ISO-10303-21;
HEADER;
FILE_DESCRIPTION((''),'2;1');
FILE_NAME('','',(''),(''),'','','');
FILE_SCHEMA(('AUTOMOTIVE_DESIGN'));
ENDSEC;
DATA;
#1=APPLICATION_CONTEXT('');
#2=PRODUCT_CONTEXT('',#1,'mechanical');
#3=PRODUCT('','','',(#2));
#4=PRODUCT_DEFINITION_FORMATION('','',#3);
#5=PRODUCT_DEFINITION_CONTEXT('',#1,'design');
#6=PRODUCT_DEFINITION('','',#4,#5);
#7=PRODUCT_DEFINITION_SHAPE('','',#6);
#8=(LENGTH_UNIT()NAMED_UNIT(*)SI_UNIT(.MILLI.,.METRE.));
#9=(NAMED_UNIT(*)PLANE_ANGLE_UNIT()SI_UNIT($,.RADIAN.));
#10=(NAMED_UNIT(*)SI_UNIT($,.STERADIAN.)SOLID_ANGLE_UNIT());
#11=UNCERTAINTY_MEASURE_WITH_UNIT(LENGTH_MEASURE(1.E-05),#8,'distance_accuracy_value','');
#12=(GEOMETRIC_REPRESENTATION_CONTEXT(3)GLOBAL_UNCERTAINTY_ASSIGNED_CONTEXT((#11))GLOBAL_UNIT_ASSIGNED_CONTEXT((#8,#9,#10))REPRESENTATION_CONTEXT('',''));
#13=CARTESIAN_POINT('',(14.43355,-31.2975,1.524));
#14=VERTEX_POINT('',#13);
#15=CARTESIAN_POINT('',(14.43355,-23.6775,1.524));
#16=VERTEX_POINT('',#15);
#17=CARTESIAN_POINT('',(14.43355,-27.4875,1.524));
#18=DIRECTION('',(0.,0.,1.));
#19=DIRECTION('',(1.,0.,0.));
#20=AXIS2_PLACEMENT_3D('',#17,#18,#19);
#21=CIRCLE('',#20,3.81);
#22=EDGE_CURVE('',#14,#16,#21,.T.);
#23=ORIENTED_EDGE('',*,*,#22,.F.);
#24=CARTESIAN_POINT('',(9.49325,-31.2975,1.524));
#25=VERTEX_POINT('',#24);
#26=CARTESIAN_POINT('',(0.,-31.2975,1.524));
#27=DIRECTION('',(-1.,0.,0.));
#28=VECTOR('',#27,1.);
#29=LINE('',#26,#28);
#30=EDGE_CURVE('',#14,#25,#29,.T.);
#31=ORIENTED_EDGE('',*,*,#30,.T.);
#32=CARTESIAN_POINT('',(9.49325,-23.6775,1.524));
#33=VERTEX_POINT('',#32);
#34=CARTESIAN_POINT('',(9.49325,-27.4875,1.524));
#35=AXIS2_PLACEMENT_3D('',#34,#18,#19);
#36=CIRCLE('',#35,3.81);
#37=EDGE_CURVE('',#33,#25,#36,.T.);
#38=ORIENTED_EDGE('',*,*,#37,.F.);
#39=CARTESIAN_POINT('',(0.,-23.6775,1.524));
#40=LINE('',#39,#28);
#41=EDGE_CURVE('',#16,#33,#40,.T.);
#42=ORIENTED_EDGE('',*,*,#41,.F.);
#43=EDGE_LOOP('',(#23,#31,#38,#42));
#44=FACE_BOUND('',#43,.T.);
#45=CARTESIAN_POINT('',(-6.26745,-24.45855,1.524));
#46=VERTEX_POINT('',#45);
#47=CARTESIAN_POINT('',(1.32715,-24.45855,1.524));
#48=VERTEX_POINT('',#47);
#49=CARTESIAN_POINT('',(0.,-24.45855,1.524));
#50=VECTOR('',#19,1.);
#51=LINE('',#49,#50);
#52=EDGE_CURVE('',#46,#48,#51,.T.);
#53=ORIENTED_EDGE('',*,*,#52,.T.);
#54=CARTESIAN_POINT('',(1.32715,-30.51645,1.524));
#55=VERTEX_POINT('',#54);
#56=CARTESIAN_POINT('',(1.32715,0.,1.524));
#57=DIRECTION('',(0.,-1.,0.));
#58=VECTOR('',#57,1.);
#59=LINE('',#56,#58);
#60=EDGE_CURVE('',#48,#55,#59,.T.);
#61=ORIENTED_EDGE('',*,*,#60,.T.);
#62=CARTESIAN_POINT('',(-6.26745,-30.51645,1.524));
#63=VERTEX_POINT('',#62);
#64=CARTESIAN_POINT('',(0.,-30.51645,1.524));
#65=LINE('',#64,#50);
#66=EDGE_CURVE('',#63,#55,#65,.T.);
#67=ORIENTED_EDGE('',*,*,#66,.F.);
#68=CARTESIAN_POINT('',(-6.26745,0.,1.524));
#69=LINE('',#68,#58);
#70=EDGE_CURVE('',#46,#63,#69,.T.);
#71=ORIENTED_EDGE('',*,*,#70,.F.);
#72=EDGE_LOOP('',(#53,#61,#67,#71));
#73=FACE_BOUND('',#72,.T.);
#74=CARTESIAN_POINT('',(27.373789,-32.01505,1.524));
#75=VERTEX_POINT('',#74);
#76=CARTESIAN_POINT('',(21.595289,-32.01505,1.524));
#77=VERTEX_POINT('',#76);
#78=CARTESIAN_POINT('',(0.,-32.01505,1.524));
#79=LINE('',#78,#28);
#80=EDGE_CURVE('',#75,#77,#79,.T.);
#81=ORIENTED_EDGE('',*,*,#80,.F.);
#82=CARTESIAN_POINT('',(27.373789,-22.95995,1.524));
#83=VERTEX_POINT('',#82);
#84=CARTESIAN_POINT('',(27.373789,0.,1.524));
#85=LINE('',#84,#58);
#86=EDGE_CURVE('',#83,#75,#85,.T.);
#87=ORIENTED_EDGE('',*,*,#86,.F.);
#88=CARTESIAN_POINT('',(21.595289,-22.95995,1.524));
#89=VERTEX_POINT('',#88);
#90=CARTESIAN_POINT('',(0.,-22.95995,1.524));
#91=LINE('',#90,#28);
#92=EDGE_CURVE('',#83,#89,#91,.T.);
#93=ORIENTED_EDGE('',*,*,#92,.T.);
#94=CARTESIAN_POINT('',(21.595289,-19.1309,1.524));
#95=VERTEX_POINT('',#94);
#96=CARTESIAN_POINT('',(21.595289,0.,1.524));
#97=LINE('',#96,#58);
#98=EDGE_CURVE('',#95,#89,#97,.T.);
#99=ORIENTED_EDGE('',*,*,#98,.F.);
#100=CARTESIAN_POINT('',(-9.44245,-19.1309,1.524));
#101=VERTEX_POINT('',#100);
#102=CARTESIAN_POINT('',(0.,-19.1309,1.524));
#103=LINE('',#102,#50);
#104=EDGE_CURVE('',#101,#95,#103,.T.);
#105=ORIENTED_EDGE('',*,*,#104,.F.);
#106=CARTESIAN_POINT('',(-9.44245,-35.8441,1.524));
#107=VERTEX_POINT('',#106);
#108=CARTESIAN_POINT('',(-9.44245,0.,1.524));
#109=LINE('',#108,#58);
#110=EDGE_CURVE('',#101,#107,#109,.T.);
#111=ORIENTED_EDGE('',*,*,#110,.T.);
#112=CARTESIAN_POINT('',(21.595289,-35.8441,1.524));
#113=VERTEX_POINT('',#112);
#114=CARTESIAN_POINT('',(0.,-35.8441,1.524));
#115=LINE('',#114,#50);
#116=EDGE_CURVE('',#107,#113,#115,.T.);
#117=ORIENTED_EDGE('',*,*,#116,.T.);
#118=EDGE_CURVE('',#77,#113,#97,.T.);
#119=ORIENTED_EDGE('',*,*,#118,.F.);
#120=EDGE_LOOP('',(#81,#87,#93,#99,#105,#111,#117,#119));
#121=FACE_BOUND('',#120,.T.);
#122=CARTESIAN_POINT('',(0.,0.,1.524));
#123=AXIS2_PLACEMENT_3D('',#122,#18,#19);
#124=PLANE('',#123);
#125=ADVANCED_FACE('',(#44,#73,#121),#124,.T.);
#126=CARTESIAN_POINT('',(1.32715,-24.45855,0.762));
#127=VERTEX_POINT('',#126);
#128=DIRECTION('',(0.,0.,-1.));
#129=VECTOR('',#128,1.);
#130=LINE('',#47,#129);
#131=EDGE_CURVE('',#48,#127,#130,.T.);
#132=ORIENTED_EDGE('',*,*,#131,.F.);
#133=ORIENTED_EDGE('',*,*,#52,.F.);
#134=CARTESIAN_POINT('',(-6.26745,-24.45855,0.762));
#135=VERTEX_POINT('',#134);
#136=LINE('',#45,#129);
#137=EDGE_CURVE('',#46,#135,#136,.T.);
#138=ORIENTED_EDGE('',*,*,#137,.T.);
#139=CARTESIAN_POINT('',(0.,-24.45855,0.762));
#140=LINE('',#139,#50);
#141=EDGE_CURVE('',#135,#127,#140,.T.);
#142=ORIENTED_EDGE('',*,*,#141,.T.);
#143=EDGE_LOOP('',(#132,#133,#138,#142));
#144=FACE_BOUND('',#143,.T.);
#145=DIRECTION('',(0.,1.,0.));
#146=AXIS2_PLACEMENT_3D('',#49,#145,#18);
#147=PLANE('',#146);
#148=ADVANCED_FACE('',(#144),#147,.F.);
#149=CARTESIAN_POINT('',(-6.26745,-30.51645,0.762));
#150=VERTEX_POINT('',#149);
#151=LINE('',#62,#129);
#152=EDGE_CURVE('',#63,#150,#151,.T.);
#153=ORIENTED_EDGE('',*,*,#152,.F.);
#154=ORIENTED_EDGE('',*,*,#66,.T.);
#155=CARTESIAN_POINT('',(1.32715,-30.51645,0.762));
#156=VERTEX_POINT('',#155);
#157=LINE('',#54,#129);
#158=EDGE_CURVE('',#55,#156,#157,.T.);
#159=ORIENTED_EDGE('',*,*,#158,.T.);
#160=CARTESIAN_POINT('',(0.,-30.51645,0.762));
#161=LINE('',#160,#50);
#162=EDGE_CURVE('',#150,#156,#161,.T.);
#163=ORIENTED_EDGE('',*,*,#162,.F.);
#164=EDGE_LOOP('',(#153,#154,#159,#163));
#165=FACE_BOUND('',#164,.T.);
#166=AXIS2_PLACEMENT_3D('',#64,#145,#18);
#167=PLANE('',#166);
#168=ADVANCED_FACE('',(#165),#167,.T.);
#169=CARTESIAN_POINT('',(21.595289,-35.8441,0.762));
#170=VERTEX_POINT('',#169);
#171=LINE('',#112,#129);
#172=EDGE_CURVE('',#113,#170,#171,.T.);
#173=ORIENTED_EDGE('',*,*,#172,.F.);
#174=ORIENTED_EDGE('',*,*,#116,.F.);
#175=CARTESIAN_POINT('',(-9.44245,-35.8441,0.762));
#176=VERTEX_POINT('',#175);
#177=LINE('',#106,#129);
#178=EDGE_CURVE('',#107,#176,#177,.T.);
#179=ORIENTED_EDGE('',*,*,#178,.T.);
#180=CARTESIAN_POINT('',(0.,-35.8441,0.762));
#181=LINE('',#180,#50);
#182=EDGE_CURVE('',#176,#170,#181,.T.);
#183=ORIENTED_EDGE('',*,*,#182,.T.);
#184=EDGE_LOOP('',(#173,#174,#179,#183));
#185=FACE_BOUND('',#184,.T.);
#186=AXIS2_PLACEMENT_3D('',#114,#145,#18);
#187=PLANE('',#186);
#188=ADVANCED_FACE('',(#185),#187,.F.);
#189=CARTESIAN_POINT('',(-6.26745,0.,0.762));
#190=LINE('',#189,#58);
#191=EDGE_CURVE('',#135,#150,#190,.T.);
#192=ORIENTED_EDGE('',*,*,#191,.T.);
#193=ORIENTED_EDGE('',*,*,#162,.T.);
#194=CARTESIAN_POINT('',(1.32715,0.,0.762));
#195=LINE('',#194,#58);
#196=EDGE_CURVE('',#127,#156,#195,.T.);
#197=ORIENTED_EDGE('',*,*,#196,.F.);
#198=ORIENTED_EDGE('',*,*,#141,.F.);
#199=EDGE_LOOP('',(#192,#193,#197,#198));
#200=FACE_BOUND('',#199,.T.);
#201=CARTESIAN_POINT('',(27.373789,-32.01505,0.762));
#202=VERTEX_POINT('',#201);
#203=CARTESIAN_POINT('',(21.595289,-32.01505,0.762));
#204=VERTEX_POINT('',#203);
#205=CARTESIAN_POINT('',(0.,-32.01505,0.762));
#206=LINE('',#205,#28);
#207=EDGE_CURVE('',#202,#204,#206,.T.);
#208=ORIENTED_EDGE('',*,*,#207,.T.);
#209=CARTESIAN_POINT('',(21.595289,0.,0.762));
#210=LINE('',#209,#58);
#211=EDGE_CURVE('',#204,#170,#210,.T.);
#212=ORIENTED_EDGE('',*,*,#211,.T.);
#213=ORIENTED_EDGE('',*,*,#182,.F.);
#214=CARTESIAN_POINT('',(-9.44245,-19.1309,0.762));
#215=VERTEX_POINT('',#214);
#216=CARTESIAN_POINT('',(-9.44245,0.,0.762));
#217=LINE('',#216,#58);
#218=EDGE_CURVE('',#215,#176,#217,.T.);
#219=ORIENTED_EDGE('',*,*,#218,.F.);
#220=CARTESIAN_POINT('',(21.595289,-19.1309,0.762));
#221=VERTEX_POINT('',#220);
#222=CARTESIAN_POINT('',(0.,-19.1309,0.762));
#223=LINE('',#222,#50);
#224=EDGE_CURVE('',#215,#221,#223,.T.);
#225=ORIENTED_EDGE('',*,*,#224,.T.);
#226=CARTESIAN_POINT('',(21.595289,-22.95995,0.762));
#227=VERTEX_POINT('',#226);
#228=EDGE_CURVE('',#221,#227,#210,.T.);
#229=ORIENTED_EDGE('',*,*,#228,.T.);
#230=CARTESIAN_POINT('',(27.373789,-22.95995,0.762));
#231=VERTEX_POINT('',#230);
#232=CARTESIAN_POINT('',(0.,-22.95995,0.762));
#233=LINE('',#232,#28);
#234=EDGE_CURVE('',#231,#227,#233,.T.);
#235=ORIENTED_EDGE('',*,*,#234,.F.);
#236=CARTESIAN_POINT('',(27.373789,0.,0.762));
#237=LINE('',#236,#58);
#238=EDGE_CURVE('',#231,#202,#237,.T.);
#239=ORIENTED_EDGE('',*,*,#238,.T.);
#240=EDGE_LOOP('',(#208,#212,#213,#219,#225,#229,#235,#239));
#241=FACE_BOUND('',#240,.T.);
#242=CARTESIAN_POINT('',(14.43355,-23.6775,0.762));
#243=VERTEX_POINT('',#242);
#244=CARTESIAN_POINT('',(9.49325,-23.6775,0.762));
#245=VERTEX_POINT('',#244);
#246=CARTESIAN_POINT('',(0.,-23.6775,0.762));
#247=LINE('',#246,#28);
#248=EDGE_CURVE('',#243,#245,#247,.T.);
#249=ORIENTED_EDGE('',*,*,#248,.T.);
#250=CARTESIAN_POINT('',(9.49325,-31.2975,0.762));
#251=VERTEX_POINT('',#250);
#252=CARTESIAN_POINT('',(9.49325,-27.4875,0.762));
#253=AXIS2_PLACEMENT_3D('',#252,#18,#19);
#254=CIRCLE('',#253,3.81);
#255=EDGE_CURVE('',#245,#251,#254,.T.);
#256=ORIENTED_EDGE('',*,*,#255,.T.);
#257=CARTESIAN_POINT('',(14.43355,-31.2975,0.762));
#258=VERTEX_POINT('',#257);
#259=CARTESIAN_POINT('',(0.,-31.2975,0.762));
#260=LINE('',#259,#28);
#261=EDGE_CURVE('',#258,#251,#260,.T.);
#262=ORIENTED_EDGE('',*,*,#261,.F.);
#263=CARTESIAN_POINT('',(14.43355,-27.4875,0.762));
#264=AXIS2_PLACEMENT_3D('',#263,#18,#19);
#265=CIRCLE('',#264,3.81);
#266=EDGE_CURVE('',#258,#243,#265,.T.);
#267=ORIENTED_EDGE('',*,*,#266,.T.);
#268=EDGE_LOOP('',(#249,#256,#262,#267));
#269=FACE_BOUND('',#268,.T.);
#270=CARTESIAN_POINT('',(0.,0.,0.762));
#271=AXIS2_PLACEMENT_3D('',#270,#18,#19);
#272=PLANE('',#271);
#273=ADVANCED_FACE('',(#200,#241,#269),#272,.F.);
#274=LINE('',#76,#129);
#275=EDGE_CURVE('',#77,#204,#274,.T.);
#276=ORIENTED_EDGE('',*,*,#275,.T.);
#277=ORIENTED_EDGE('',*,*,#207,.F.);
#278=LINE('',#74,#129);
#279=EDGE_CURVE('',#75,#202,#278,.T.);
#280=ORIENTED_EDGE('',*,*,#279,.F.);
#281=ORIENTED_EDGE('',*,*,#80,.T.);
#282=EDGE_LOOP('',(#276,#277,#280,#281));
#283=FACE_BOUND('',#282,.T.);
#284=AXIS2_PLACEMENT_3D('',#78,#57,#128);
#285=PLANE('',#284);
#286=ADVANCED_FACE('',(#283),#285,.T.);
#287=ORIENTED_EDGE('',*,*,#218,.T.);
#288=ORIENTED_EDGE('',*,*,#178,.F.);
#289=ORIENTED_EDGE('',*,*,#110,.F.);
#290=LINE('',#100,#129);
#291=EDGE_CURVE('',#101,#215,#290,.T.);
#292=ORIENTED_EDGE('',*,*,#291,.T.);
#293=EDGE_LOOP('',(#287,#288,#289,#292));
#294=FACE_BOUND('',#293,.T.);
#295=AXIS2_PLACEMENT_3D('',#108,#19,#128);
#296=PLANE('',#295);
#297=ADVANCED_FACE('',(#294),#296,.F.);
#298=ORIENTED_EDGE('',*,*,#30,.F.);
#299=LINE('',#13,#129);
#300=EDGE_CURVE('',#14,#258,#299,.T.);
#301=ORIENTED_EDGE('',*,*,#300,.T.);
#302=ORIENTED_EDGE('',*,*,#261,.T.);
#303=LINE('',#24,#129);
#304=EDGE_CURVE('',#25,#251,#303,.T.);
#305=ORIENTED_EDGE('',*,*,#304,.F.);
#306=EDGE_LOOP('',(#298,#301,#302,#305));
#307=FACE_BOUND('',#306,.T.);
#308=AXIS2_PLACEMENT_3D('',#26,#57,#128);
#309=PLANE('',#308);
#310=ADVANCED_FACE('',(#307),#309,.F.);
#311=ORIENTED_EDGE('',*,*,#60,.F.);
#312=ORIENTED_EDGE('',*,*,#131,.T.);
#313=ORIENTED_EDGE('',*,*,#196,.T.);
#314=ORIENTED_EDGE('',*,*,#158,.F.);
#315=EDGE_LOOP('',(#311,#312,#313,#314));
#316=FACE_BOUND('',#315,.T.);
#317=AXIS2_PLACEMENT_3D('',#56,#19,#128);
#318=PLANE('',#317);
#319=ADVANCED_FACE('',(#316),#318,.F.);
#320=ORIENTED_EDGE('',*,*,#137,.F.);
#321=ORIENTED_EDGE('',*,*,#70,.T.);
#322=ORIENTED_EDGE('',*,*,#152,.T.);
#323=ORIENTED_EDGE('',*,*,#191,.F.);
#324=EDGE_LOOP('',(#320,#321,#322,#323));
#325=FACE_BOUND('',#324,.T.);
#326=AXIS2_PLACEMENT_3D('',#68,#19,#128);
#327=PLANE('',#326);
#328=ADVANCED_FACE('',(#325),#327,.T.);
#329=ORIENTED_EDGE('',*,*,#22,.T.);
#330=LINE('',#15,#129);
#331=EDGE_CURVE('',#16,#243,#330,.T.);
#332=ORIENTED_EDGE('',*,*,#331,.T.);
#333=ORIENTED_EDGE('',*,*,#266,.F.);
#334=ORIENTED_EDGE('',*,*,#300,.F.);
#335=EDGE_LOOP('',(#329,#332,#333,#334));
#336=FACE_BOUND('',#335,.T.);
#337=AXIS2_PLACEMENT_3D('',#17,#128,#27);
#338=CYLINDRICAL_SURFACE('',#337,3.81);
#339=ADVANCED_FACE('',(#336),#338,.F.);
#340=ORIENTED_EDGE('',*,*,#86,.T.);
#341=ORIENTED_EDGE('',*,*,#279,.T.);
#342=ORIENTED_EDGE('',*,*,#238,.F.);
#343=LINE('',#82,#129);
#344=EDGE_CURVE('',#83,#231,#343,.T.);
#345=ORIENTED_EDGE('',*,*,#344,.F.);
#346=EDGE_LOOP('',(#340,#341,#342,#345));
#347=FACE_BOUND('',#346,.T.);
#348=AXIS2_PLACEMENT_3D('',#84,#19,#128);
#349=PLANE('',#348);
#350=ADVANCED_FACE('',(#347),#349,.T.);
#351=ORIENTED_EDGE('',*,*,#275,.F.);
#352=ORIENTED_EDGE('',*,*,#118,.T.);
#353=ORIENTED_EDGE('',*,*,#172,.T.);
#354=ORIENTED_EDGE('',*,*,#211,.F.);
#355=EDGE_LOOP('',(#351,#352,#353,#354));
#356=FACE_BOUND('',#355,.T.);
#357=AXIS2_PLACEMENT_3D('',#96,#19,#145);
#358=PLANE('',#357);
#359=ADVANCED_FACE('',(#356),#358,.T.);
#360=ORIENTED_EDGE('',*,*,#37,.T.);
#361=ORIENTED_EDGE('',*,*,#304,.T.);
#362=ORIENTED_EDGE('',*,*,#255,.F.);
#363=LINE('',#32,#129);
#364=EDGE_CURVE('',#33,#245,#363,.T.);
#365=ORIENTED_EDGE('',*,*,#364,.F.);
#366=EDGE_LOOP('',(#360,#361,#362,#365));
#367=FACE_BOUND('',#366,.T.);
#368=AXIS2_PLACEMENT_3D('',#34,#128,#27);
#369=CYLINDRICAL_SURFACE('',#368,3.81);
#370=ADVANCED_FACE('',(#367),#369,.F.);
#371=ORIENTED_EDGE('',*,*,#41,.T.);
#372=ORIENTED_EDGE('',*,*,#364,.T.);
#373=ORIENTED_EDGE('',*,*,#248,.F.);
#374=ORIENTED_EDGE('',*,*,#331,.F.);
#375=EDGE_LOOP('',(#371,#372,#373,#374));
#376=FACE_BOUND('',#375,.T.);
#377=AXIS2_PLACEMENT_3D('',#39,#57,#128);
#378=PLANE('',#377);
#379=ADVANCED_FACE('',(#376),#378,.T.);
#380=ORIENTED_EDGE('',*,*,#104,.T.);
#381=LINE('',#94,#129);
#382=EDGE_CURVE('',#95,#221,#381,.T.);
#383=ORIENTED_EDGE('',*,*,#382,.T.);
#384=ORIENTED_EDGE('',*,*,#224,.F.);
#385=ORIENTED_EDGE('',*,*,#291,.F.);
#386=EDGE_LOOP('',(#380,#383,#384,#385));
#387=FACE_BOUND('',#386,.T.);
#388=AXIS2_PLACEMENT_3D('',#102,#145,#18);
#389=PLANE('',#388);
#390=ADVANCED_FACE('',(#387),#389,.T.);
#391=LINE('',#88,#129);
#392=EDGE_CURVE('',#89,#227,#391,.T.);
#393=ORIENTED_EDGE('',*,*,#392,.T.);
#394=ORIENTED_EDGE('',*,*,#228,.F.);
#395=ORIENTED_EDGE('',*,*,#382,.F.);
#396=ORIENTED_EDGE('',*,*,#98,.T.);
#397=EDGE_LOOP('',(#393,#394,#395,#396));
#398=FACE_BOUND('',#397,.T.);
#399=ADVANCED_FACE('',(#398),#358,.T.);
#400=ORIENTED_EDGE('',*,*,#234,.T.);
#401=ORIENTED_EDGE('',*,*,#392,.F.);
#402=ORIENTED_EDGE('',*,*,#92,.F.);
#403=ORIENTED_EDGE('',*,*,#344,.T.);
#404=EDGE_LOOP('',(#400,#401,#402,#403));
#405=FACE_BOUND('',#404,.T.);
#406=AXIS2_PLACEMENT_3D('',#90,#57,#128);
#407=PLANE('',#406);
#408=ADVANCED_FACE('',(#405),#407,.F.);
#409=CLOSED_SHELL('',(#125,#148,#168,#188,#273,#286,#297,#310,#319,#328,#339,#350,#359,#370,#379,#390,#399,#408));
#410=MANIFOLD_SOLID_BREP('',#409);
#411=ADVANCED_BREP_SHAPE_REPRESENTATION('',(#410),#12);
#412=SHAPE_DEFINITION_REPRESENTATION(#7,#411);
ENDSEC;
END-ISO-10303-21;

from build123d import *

# Parameters (mm, degrees)
BOSS_EXTRUDE2_DEPTH = 0.762


with BuildPart() as part:
    # Sketch1 → Boss-Extrude2 (new body)
    with BuildSketch(Plane.XY.offset(0.762)):
        with BuildLine():
            Line((21.595288772, -19.1309), (-9.44245, -19.1309))
            Line((-9.44245, -19.1309), (-9.44245, -20.7184))
            Line((-9.44245, -20.7184), (14.94155, -20.7184))
            ThreePointArc((14.94155, -20.7184), (16.737601224, -21.462348776), (17.48155, -23.2584))
            Line((17.48155, -23.2584), (17.48155, -25.2015))
            ThreePointArc((17.48155, -25.2015), (18.24355, -27.4875), (17.48155, -29.7735))
            Line((17.48155, -29.7735), (17.48155, -31.7166))
            ThreePointArc((17.48155, -31.7166), (16.737601224, -33.512651224), (14.94155, -34.2566))
            Line((14.94155, -34.2566), (-9.44245, -34.2566))
            Line((-9.44245, -34.2566), (-9.44245, -35.8441))
            Line((-9.44245, -35.8441), (21.595288772, -35.8441))
            Line((21.595288772, -35.8441), (21.595288772, -32.01505))
            Line((21.595288772, -32.01505), (27.373788772, -32.01505))
            Line((27.373788772, -32.01505), (27.373788772, -22.95995))
            Line((27.373788772, -22.95995), (26.103788772, -22.95995))
            Line((26.103788772, -22.95995), (21.595288772, -22.95995))
            Line((21.595288772, -22.95995), (21.595288772, -19.1309))
        make_face()
        with BuildLine():
            Line((14.94155, -20.7184), (-9.44245, -20.7184))
            Line((-9.44245, -20.7184), (-9.44245, -34.2566))
            Line((-9.44245, -34.2566), (14.94155, -34.2566))
            ThreePointArc((14.94155, -34.2566), (16.737601224, -33.512651224), (17.48155, -31.7166))
            Line((17.48155, -31.7166), (17.48155, -29.7735))
            ThreePointArc((17.48155, -29.7735), (16.137433799, -30.895267598), (14.43355, -31.2975))
            Line((14.43355, -31.2975), (9.49325, -31.2975))
            ThreePointArc((9.49325, -31.2975), (7.419008087, -30.683375543), (6.01345, -29.03898057))
            Line((6.01345, -29.03898057), (6.01345, -30.44025))
            Line((6.01345, -30.44025), (1.32715, -30.44025))
            Line((1.32715, -30.44025), (1.32715, -30.51645))
            Line((1.32715, -30.51645), (-6.26745, -30.51645))
            Line((-6.26745, -30.51645), (-6.26745, -24.45855))
            Line((-6.26745, -24.45855), (1.32715, -24.45855))
            Line((1.32715, -24.45855), (1.32715, -24.53475))
            Line((1.32715, -24.53475), (6.01345, -24.53475))
            Line((6.01345, -24.53475), (6.01345, -25.93601943))
            ThreePointArc((6.01345, -25.93601943), (7.419008087, -24.291624457), (9.49325, -23.6775))
            Line((9.49325, -23.6775), (14.43355, -23.6775))
            ThreePointArc((14.43355, -23.6775), (16.137433799, -24.079732402), (17.48155, -25.2015))
            Line((17.48155, -25.2015), (17.48155, -23.2584))
            ThreePointArc((17.48155, -23.2584), (16.737601224, -21.462348776), (14.94155, -20.7184))
        make_face()
        with BuildLine():
            ThreePointArc((6.01345, -29.03898057), (5.68325, -27.4875), (6.01345, -25.93601943))
            Line((6.01345, -25.93601943), (6.01345, -24.53475))
            Line((6.01345, -24.53475), (1.32715, -24.53475))
            Line((1.32715, -24.53475), (1.32715, -30.44025))
            Line((1.32715, -30.44025), (6.01345, -30.44025))
            Line((6.01345, -30.44025), (6.01345, -29.03898057))
        make_face()
    extrude(amount=BOSS_EXTRUDE2_DEPTH)


solid = part.part
